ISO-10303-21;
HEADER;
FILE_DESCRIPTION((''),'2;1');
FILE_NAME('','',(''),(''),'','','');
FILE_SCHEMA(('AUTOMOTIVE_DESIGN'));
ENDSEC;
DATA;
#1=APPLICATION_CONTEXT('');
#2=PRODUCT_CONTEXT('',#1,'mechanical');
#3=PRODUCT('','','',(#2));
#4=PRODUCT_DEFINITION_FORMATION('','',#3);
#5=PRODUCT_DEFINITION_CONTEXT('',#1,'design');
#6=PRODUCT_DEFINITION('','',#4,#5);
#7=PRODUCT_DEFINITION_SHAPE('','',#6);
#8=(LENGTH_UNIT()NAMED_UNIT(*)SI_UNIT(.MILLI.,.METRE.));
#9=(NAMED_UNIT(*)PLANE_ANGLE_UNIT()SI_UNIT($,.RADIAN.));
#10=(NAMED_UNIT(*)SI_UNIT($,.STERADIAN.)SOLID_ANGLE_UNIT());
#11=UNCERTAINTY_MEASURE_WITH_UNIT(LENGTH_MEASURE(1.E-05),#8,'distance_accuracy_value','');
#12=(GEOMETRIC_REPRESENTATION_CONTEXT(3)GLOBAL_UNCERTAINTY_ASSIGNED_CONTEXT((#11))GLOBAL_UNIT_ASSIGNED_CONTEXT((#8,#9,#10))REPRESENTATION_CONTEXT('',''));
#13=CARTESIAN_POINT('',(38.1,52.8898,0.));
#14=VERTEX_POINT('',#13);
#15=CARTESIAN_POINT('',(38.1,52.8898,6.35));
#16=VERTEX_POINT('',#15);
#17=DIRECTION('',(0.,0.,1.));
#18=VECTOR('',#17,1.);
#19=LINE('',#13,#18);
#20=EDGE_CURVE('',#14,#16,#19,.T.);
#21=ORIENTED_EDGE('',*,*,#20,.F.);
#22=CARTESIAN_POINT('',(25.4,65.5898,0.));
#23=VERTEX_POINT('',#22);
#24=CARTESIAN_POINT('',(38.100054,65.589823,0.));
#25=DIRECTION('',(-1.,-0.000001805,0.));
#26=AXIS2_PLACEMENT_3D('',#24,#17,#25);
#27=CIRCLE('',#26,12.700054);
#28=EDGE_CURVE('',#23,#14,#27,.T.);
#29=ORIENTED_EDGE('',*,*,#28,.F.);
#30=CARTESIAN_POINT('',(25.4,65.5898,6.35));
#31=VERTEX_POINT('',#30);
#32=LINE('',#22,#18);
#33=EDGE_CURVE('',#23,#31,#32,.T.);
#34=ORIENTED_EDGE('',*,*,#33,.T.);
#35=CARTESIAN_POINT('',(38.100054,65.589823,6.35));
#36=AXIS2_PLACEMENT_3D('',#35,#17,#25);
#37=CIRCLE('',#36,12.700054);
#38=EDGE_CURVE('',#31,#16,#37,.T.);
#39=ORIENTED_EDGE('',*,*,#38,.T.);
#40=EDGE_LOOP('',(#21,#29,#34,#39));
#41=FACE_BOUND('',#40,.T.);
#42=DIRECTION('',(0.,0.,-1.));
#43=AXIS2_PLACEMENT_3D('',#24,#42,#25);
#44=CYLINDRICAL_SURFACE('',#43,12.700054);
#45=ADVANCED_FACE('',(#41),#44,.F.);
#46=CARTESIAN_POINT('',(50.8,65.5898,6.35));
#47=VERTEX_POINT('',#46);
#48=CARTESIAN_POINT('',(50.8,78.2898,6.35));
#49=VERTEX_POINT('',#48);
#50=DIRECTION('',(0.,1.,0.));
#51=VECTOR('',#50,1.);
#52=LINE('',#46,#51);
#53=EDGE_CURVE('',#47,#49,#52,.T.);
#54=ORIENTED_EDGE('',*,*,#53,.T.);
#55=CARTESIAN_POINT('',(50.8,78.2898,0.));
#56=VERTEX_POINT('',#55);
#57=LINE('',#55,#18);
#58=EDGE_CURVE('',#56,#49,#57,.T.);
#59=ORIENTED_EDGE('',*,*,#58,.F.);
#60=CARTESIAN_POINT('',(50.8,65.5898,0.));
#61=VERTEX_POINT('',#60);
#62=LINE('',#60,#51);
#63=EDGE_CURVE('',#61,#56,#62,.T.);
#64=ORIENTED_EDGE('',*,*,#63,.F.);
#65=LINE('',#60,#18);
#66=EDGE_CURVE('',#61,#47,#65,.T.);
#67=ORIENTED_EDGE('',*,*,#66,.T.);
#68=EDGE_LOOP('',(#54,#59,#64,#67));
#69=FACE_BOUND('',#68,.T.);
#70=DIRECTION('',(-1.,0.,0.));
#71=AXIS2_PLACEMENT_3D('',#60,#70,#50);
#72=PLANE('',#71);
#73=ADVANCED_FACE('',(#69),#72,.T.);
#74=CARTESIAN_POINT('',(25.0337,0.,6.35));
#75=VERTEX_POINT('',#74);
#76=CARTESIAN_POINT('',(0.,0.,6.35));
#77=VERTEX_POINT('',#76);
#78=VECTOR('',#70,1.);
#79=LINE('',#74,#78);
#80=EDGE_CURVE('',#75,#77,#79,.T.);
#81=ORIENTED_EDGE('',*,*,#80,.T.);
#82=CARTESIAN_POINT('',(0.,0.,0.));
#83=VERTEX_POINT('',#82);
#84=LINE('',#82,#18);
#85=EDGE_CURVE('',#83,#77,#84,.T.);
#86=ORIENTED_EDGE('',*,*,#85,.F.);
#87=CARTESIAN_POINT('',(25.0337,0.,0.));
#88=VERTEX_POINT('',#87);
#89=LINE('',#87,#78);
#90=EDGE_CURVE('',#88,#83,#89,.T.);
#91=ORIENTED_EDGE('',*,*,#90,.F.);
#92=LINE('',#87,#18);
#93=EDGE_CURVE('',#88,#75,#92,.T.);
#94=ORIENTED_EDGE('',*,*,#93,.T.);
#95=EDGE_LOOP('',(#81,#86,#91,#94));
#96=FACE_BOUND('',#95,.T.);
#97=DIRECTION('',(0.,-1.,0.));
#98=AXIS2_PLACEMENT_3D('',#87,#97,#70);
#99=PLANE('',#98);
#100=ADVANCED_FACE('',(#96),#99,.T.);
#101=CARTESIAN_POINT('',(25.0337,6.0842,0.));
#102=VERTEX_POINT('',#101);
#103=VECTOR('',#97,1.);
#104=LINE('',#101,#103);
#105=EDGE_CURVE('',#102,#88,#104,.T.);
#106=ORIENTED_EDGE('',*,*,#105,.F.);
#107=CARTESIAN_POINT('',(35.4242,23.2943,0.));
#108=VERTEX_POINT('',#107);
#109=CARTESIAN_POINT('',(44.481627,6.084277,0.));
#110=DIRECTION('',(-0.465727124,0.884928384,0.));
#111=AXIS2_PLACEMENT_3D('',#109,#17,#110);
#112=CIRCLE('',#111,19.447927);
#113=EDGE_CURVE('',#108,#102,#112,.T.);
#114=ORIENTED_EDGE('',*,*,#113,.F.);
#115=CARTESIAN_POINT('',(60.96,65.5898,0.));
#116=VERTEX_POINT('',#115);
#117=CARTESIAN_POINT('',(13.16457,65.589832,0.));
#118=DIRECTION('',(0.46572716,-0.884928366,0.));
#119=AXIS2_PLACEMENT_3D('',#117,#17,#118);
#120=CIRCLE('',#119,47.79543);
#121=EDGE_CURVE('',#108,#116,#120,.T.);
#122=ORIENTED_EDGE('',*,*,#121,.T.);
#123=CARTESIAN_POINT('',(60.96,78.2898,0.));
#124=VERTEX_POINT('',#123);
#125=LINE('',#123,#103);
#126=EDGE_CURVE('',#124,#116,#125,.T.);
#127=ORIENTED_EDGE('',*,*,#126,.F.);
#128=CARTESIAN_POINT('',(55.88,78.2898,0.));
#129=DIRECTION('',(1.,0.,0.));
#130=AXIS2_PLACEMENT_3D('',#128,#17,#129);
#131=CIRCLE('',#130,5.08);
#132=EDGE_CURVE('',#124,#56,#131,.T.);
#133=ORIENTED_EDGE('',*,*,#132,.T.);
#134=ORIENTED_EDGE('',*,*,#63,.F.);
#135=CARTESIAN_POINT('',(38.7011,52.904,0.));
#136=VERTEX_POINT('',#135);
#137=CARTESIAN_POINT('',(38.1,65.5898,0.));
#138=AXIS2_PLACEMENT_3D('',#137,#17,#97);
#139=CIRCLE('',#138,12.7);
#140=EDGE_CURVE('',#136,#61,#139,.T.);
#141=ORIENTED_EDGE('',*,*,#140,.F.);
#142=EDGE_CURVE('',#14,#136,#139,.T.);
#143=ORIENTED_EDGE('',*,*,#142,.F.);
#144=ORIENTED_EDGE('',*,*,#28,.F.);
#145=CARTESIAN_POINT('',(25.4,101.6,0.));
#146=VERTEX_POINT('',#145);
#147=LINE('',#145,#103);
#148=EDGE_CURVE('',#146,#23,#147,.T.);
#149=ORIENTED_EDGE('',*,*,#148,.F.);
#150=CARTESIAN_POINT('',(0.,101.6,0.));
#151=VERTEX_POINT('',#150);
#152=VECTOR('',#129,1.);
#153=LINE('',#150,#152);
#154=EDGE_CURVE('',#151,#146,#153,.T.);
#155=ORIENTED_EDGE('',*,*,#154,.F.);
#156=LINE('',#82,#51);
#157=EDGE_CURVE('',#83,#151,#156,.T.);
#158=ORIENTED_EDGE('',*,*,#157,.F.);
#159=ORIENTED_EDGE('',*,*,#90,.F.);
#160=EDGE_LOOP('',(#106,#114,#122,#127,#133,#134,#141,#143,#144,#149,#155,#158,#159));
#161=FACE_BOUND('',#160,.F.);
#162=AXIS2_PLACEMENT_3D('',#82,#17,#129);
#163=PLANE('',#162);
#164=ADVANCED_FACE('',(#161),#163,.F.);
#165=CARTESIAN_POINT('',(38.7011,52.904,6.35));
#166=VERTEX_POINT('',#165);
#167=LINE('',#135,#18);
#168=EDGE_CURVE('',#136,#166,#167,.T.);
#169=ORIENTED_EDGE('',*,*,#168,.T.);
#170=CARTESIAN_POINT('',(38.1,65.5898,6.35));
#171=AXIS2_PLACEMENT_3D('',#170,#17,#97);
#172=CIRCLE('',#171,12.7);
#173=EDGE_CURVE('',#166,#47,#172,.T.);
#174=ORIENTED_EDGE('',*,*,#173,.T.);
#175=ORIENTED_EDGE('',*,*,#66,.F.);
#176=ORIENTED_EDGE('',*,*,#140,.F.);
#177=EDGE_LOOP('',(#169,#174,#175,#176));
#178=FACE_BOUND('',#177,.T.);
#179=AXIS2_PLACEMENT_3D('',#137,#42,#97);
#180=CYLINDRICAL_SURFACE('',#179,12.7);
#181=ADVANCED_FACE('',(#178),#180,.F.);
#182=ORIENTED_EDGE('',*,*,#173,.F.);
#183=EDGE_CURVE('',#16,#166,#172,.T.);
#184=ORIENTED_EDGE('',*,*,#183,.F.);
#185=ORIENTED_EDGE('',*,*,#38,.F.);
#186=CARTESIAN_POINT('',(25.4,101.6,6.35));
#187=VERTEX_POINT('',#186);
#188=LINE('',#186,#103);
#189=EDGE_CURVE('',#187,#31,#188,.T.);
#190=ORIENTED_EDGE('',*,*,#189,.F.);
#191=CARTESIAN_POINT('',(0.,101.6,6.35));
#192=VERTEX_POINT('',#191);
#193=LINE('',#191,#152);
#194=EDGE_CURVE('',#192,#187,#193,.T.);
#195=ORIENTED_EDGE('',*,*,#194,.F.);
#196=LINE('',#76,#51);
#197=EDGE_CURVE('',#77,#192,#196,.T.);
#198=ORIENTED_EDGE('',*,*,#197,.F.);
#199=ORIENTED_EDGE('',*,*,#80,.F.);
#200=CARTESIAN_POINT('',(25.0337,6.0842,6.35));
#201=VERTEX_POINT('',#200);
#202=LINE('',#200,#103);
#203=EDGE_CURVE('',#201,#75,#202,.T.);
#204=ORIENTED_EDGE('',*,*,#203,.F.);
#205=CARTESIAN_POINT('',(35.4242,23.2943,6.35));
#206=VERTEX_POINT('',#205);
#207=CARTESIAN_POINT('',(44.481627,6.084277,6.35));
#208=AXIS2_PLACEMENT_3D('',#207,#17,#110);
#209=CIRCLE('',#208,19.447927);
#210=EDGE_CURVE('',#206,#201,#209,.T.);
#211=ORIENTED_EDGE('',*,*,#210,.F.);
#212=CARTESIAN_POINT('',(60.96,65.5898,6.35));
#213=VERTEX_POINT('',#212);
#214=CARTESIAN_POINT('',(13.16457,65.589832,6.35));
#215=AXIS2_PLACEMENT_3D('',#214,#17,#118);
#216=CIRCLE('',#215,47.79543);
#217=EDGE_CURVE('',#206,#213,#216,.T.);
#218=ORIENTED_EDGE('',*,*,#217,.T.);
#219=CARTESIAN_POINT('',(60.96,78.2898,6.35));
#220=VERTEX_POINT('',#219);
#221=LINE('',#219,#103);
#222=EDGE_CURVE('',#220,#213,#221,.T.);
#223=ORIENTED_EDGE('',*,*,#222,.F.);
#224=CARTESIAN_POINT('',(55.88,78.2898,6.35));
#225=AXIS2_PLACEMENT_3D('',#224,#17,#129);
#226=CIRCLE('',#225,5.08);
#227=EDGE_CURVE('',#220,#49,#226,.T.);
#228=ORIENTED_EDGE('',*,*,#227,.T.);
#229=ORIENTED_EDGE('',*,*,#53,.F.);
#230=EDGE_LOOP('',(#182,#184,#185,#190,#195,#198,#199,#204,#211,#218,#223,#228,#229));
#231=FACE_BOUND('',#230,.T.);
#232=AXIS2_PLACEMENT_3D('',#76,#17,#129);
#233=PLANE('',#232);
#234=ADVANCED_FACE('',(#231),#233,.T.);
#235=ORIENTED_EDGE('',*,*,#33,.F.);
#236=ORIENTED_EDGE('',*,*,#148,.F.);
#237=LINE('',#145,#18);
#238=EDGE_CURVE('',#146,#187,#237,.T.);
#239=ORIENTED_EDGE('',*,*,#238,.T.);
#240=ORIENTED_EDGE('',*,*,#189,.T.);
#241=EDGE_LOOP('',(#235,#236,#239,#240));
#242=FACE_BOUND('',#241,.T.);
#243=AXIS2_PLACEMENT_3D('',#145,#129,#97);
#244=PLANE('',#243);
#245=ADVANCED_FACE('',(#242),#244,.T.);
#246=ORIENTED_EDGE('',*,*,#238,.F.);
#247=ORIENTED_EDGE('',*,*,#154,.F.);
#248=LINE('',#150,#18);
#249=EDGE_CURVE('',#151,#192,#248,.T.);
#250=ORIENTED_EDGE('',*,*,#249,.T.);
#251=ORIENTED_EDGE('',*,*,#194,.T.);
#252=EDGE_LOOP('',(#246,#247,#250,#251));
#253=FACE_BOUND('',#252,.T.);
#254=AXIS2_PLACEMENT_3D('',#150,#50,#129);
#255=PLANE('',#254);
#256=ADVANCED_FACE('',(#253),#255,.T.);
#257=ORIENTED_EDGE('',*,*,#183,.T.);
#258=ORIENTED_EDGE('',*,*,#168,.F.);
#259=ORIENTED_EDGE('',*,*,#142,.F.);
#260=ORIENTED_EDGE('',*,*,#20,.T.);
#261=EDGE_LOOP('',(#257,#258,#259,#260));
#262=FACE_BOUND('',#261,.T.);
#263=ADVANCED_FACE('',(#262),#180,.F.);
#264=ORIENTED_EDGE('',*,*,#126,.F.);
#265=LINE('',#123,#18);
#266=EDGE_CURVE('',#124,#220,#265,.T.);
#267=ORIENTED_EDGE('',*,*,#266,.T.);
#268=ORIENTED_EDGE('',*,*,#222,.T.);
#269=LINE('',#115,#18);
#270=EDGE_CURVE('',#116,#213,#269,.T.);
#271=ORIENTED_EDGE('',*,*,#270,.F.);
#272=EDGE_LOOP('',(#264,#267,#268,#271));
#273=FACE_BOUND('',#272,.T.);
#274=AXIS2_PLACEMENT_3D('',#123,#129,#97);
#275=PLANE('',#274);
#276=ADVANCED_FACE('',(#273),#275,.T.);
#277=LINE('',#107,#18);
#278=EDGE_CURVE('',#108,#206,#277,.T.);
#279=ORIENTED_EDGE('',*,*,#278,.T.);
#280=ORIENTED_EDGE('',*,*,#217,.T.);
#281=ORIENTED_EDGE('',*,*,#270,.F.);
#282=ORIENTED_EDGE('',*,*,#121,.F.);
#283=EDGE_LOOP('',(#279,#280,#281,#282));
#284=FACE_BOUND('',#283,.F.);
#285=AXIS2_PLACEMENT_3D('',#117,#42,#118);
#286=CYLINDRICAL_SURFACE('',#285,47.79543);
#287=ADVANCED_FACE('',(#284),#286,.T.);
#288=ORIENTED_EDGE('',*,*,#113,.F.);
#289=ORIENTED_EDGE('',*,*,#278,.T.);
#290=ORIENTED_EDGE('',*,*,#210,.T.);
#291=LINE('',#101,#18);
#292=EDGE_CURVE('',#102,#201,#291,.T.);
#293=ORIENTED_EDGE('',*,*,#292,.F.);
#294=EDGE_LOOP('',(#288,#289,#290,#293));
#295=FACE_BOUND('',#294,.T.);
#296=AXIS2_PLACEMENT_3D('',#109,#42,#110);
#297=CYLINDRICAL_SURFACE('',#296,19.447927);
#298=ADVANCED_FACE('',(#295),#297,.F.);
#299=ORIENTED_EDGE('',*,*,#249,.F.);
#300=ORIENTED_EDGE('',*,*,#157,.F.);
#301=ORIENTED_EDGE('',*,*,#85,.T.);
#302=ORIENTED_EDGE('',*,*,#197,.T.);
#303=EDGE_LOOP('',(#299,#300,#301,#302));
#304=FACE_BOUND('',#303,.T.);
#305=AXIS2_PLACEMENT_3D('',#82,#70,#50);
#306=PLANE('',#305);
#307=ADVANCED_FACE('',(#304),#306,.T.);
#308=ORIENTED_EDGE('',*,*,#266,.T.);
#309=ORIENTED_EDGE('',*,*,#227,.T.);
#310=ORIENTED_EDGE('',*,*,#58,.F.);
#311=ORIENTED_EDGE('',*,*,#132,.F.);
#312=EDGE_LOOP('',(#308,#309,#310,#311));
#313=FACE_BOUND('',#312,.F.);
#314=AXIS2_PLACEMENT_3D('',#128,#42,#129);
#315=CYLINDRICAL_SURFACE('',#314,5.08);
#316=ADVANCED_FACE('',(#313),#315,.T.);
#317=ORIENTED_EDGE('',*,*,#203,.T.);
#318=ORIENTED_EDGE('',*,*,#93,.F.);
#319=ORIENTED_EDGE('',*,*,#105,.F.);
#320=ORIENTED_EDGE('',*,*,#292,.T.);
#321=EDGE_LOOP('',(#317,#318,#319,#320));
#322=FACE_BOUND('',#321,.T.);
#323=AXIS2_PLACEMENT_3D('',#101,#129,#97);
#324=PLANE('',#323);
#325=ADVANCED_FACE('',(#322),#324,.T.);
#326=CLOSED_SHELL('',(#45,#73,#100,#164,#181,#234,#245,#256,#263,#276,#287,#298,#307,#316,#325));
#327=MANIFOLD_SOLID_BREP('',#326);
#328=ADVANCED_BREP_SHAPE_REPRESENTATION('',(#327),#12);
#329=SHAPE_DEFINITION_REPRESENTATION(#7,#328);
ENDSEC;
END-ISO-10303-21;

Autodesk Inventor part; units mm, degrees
ref_plane "YZ Plane" through (0, 0, 0) normal (1, 0, 0) x (0, 1, 0)
ref_plane "XZ Plane" through (0, 0, 0) normal (0, 1, 0) x (-1, 0, 0)
ref_plane "XY Plane" through (0, 0, 0) normal (0, 0, 1) x (1, 0, 0)
sketch "Sketch1" plane through (0, 0, 0) normal (0, 0, 1) x (1, 0, 0)
  line L0 (0, 0) -> (0, 101.6)
  line L1 (0, 101.6) -> (25.4, 101.6)
  line L2 (25.4, 101.6) -> (25.4, 65.5898)
  line L3 (50.8, 65.5898) -> (50.8, 78.2898)
  line L4 (60.96, 78.2898) -> (60.96, 65.5898)
  line L5 (25.0337, 0) -> (0, 0)
  arc A0 (38.1, 52.8898) -> (50.8, 65.5898) centre (38.1, 65.5898) ccw
  arc A1 (25.4, 65.5898) -> (38.7011, 52.904) centre (38.1, 65.5898) ccw
  arc A2 (60.96, 78.2898) -> (50.8, 78.2898) centre (55.88, 78.2898) ccw
  line L6 (25.4, 65.5898) -> (50.8, 65.5898) construction
  arc A3 (35.4242, 23.2943) -> (60.96, 65.5898) centre (13.1646, 65.5898) ccw
  arc A4 (35.4242, 23.2943) -> (25.0337, 6.0842) centre (44.4817, 6.0842) ccw
  line L7 (25.0337, 6.0842) -> (25.0337, 0)
  dimension "d0" = 101.6
  dimension "d2" = 25.4
  dimension "d4" = 25.4
  dimension "d6" = 10.16
  dimension "d9" = 12.7
  dimension "d10" = 12.7
  dimension "d13" = 60.96
extrude "Extrusion1" add sketch "Sketch1" along normal blind 6.35
properties part number "Can Hook"
